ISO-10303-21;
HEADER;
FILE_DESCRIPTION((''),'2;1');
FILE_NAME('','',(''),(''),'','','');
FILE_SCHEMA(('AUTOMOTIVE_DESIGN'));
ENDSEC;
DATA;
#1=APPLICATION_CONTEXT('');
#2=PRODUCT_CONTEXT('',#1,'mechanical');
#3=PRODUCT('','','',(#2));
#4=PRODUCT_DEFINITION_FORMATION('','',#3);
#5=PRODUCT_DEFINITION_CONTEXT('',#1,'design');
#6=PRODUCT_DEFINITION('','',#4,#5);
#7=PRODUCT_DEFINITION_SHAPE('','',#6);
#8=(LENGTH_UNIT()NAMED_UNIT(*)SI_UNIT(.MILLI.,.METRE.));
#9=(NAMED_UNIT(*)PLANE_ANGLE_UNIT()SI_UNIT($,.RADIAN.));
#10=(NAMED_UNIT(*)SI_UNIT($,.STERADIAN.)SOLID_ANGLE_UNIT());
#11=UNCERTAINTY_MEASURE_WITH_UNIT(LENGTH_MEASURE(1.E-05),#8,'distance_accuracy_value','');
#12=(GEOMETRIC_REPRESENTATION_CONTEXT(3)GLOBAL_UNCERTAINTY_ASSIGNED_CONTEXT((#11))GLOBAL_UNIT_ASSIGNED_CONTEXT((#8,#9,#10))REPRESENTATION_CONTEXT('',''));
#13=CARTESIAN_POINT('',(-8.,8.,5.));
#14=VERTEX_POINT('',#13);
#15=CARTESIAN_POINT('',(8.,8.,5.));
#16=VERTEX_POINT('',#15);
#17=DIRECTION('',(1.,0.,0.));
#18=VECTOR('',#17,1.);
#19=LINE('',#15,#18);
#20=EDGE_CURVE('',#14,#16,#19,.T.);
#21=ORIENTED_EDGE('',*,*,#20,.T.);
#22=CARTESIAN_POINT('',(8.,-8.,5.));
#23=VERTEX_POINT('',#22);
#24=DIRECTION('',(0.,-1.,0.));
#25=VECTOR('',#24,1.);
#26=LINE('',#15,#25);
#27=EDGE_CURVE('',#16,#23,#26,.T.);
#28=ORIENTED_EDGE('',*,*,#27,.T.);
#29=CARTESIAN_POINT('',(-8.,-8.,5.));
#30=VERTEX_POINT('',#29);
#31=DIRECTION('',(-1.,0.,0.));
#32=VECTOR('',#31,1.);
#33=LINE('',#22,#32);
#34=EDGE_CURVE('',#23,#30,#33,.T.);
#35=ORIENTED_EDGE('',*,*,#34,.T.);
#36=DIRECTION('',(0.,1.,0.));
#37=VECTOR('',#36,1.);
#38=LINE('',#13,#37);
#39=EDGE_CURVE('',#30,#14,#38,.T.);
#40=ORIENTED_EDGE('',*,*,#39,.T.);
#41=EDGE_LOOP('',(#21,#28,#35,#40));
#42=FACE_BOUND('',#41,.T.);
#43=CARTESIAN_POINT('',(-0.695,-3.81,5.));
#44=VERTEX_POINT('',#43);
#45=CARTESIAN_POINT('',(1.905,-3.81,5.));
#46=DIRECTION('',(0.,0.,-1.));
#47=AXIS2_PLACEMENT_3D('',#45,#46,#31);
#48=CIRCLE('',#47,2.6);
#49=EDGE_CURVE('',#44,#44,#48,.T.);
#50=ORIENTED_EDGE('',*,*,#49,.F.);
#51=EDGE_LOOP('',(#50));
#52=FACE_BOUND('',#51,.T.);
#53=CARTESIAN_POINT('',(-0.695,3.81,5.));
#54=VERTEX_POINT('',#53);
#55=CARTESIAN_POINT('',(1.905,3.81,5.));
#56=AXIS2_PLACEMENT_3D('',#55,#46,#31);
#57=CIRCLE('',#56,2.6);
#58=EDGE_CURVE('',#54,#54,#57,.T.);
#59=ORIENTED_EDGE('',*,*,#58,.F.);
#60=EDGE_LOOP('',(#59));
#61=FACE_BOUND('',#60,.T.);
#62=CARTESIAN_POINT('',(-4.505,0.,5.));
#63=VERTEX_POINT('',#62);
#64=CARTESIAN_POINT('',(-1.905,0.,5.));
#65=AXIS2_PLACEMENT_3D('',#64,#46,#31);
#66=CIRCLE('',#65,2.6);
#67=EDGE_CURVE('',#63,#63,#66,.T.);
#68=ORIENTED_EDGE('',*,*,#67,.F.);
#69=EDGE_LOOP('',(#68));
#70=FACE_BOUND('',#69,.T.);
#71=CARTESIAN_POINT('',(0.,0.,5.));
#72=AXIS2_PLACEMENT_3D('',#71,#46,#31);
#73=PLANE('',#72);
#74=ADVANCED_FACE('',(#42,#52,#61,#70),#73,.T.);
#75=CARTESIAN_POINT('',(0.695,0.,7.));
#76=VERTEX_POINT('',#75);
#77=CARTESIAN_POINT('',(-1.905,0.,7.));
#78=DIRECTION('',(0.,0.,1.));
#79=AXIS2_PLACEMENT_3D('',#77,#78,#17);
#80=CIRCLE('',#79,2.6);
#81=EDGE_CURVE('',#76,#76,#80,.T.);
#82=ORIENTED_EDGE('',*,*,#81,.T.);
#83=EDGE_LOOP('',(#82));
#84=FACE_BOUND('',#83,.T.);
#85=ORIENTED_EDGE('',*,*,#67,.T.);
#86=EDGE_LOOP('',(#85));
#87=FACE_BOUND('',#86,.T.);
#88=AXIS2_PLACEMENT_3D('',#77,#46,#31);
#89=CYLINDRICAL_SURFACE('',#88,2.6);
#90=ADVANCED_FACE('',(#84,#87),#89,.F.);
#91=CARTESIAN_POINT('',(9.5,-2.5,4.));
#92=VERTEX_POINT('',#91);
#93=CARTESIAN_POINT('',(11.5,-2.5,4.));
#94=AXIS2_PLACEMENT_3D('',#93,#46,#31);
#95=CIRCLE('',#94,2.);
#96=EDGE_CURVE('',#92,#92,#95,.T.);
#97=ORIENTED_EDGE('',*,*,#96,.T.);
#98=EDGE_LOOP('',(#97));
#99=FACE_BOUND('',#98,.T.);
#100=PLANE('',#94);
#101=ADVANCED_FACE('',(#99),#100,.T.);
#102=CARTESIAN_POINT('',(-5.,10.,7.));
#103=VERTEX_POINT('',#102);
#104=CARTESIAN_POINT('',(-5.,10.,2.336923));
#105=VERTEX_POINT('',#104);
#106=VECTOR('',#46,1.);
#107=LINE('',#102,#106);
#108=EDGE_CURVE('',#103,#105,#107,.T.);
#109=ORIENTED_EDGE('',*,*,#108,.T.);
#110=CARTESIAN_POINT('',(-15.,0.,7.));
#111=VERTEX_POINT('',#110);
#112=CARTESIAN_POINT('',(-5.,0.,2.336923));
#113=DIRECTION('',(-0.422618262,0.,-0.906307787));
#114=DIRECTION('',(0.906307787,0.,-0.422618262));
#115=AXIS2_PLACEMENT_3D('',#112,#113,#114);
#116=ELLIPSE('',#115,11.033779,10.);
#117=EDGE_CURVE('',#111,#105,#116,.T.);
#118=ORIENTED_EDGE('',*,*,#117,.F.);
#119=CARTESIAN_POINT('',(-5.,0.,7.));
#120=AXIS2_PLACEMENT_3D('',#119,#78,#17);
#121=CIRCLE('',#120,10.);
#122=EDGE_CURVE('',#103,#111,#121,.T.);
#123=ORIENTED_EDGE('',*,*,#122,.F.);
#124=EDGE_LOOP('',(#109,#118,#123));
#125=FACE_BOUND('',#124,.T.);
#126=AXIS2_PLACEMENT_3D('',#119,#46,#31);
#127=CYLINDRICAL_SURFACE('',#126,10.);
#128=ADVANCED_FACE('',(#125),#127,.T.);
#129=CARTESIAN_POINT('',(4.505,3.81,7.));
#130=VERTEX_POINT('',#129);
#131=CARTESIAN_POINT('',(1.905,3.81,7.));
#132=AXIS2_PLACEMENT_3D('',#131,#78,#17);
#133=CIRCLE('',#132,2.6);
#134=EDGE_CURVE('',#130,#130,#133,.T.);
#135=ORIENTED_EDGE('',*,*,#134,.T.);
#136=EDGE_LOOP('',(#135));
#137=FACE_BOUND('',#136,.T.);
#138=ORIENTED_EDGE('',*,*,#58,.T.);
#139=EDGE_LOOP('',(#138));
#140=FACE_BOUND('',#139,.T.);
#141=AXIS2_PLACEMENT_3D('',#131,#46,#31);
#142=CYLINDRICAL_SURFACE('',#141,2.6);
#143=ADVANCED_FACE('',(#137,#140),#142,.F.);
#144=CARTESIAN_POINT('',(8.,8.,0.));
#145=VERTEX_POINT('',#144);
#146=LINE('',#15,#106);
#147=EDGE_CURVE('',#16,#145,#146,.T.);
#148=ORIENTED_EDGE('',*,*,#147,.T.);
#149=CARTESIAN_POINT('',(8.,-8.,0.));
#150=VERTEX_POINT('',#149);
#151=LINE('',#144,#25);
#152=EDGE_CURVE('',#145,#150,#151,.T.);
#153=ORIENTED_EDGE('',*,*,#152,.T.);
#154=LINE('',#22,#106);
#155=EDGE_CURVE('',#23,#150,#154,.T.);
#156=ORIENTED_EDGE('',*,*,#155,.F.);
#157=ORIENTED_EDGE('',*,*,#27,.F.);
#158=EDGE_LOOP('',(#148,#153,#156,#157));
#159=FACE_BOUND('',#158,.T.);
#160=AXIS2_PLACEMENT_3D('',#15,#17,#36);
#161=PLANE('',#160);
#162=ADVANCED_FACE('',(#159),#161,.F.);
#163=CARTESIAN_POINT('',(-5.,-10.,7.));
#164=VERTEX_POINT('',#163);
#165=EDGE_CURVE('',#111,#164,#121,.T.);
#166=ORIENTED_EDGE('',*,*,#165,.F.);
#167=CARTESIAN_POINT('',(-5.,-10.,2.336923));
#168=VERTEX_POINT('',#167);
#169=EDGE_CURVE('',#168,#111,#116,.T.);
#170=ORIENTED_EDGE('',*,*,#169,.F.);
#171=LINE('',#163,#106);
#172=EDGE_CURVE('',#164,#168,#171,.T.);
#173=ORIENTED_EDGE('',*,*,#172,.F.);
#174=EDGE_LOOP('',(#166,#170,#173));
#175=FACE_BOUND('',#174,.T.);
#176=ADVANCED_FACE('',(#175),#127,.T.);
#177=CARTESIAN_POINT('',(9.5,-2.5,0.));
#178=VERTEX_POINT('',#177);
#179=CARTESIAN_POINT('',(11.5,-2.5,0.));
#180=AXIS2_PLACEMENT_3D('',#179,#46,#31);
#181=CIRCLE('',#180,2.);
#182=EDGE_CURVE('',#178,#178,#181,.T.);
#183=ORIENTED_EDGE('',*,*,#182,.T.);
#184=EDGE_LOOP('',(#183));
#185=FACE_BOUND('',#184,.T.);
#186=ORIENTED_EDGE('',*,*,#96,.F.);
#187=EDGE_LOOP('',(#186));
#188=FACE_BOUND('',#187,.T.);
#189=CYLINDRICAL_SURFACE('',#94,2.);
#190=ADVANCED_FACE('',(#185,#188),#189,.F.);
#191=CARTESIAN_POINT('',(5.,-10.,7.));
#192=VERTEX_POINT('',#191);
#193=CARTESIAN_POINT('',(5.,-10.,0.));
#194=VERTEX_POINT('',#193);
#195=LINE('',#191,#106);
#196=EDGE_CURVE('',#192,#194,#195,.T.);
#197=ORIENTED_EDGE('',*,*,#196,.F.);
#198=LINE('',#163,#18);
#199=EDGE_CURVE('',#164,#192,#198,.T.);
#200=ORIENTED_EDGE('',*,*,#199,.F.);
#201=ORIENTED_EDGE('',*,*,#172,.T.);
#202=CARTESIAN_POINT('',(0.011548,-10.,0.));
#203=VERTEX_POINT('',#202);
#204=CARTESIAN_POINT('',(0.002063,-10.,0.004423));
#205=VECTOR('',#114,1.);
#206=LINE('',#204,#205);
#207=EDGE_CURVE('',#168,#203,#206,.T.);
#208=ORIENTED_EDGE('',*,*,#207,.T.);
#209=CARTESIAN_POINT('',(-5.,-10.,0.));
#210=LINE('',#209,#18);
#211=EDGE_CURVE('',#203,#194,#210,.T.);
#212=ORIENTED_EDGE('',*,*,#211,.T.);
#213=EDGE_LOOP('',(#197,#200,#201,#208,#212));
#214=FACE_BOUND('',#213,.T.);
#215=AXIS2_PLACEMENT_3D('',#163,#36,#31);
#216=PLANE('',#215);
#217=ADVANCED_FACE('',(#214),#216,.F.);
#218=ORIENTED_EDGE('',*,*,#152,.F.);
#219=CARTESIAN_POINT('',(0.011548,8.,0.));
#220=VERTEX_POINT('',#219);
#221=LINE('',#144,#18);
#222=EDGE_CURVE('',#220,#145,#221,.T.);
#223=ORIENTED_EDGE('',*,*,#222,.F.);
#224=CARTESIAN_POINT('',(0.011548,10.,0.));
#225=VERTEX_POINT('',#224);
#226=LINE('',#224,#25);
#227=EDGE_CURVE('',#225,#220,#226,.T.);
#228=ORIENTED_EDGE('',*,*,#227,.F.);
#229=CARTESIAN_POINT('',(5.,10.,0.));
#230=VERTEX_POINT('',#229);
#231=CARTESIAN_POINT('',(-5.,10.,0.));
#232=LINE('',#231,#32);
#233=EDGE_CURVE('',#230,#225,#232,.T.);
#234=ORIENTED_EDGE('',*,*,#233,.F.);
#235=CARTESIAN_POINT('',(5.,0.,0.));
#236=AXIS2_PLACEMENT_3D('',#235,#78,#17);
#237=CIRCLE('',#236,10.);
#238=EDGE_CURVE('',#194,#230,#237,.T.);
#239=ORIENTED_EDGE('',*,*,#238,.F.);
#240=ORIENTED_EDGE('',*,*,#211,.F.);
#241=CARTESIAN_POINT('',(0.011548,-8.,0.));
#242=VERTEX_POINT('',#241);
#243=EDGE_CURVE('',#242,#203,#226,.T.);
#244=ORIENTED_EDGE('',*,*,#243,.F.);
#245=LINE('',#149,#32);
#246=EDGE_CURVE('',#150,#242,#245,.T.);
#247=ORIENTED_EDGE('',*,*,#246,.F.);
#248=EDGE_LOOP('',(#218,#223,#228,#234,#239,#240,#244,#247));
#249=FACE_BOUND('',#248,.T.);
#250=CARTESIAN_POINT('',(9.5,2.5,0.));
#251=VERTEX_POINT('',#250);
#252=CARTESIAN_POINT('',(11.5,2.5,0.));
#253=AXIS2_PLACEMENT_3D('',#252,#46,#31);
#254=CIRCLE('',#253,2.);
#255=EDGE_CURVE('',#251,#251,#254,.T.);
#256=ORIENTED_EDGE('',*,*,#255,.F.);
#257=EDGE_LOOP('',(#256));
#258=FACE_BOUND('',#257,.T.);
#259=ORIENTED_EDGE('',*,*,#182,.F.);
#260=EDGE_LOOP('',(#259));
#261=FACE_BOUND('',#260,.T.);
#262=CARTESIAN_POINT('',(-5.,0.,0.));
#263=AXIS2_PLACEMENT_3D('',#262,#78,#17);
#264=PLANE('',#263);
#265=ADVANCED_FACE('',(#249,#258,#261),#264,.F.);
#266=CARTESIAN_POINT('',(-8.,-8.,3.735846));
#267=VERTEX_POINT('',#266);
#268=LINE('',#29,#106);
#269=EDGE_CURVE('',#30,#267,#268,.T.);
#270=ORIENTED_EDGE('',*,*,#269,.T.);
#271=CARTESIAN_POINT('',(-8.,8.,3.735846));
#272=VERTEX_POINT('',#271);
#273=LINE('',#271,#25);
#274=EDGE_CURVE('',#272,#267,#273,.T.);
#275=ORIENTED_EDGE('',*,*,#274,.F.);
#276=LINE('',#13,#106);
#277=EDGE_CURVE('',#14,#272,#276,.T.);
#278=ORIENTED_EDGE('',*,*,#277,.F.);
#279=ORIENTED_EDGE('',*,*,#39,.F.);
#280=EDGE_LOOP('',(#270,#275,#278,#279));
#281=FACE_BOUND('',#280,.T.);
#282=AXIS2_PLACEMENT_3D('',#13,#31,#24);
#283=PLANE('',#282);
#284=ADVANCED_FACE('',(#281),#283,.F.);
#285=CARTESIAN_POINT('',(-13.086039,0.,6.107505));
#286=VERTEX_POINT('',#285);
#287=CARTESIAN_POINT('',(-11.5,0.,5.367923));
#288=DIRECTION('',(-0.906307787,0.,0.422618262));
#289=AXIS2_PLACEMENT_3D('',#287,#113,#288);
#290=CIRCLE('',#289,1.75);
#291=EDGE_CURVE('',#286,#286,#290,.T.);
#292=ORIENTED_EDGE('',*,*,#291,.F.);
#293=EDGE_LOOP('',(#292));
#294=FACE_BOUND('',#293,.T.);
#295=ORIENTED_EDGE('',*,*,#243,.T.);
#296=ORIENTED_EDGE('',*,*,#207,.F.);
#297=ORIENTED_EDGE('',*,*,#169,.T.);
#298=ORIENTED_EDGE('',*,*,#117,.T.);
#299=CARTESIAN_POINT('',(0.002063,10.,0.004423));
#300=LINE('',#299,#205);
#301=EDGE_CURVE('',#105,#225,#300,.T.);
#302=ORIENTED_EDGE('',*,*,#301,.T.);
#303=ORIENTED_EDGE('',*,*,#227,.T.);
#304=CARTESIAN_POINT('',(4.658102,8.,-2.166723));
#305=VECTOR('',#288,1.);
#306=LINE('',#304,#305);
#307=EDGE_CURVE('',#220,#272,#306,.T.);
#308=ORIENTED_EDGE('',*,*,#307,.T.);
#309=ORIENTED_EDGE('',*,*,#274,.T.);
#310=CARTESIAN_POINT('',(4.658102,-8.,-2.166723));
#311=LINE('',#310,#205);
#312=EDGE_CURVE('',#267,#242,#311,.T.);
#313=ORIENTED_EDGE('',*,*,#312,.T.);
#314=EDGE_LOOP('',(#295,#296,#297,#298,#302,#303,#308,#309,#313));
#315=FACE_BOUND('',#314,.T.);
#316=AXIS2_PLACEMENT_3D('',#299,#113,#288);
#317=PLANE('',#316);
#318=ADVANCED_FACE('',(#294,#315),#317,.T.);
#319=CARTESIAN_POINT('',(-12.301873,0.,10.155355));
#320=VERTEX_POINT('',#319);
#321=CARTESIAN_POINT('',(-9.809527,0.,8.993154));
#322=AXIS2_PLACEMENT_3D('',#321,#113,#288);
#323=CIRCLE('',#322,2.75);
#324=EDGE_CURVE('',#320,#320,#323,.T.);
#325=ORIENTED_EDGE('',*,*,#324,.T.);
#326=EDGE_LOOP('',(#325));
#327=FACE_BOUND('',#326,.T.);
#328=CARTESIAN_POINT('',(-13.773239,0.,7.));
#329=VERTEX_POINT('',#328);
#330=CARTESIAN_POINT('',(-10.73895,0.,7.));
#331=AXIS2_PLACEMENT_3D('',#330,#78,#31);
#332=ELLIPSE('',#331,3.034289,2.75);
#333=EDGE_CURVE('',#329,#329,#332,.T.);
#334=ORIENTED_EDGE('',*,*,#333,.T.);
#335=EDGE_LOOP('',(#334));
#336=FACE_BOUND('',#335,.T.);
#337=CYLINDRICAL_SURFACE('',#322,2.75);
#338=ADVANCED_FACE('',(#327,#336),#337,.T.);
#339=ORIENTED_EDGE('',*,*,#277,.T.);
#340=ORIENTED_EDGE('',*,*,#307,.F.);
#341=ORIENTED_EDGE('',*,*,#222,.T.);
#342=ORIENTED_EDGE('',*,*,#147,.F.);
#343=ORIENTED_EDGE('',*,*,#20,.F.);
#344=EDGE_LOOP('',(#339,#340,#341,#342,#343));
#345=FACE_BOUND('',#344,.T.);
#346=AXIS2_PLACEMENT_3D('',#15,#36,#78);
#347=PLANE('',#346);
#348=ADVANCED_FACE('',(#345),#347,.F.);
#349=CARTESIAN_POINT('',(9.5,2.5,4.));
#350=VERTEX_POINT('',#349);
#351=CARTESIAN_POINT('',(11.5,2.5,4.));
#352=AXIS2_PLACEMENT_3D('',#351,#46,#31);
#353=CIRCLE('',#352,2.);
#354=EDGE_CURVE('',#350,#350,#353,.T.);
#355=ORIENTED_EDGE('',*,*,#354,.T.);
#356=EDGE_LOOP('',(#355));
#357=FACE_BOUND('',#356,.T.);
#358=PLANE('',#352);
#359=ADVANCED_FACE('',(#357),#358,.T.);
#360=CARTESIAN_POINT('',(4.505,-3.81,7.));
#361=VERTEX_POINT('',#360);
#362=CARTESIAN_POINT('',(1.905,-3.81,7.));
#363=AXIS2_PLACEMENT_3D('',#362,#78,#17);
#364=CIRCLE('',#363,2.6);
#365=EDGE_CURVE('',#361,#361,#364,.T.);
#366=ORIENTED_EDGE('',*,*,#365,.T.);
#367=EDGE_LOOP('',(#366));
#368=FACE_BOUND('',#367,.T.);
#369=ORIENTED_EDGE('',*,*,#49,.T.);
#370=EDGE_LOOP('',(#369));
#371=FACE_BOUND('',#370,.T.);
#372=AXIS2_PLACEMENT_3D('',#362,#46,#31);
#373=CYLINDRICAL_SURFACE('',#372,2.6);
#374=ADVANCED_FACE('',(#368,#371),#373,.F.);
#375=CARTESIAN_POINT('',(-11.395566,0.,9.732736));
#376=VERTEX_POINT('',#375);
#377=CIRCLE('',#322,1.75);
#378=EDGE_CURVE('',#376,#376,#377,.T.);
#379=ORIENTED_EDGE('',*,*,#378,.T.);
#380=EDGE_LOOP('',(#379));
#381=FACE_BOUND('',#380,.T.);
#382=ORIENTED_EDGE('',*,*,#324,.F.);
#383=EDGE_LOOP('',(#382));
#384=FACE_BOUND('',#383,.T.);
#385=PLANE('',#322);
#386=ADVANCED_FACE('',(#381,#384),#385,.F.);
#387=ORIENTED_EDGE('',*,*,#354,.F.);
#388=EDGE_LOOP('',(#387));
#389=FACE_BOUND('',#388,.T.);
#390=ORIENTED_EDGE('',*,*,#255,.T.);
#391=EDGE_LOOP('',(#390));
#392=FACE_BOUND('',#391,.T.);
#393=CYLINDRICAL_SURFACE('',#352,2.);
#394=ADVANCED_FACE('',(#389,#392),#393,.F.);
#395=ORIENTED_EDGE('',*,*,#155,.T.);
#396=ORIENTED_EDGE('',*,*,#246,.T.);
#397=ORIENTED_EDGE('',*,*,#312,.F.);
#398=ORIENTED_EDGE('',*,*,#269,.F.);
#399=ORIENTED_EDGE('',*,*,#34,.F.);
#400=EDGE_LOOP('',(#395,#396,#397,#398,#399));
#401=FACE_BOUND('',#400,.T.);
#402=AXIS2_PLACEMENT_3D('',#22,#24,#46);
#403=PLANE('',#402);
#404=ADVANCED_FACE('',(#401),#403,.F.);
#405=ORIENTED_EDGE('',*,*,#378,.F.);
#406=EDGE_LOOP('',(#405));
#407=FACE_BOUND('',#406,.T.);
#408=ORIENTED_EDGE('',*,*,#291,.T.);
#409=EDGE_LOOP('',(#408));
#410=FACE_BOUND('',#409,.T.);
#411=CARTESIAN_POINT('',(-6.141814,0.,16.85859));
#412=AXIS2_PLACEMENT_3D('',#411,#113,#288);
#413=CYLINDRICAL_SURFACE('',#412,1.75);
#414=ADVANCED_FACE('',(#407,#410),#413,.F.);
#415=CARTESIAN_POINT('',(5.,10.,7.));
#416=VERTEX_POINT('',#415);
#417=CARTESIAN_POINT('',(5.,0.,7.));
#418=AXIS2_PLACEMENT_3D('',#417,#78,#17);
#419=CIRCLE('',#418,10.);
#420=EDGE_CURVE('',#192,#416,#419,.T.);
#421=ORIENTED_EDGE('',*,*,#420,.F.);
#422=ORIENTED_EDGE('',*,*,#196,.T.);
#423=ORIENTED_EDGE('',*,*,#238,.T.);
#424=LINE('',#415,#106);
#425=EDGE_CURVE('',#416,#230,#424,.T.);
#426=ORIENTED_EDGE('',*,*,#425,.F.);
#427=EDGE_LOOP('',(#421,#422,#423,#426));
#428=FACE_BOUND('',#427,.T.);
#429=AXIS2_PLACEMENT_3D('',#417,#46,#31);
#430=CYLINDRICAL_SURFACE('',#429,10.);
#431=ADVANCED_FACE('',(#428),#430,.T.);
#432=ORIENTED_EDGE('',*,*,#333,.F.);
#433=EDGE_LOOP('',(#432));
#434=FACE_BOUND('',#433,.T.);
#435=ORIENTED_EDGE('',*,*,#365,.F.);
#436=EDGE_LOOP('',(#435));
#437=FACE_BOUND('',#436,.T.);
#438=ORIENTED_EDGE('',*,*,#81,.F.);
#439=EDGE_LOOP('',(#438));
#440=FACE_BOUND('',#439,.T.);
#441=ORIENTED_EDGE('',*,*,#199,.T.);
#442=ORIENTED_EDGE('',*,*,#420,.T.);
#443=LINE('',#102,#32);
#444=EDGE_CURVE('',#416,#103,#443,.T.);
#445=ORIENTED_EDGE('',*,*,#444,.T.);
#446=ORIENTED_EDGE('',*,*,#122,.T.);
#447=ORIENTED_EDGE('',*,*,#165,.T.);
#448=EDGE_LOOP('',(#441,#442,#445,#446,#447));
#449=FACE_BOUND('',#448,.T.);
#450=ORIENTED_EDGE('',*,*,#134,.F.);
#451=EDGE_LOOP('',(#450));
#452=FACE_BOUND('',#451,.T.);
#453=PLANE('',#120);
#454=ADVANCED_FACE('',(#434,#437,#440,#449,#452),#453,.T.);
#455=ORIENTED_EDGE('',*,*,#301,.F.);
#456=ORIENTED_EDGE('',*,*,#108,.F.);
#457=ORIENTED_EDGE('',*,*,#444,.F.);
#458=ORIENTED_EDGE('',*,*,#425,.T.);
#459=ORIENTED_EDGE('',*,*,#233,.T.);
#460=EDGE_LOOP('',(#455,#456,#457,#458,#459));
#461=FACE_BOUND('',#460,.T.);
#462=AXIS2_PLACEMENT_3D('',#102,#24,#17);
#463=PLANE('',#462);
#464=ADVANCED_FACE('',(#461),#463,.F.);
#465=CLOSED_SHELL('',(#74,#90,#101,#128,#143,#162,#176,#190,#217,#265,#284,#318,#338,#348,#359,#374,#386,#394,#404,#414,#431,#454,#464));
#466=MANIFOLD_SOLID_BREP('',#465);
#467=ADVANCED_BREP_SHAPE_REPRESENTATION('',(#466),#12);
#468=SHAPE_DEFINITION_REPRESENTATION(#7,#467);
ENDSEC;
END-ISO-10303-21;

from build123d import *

# Parameters (mm, degrees)
SKETCH3_R           = 2.6
BOSS_EXTRUDE1_DEPTH = 7
SKETCH4_W           = 16
SKETCH4_H           = 16
CUT_EXTRUDE1_DEPTH  = 5
SKETCH5_R           = 2
CUT_EXTRUDE2_DEPTH  = 4
CUT_EXTRUDE3_DEPTH  = 26.961509971
SKETCH8_R           = 1.75
CUT_EXTRUDE4_DEPTH  = 20.33907899
SKETCH9_R           = 2.75
SKETCH9_R_2         = 1.75
BOSS_EXTRUDE3_DEPTH = 4


with BuildPart() as part:
    # Sketch3 → Boss-Extrude1 (new body)
    with BuildSketch(Plane.XY):
        with BuildLine():
            Line((-5, 10), (5, 10))
            ThreePointArc((5, 10), (15, 0), (5, -10))
            Line((5, -10), (-5, -10))
            ThreePointArc((-5, -10), (-15, 0), (-5, 10))
        make_face()
        with Locations((1.905, 3.81)):
            Circle(SKETCH3_R, mode=Mode.SUBTRACT)
        with Locations((1.905, -3.81)):
            Circle(SKETCH3_R, mode=Mode.SUBTRACT)
        with Locations((-1.905, 0)):
            Circle(SKETCH3_R, mode=Mode.SUBTRACT)
    extrude(amount=BOSS_EXTRUDE1_DEPTH)

    # Sketch4 → Cut-Extrude1 (cut)
    with BuildSketch(Plane(origin=(0, 0, 0), x_dir=(-1, 0, 0), z_dir=(0, 0, -1))):
        Rectangle(SKETCH4_W, SKETCH4_H)
    extrude(amount=-CUT_EXTRUDE1_DEPTH, mode=Mode.SUBTRACT)

    # Sketch5 → Cut-Extrude2 (cut)
    with BuildSketch(Plane(origin=(0, 0, 0), x_dir=(-1, 0, 0), z_dir=(0, 0, -1))):
        with Locations((-11.5, -2.5)):
            Circle(SKETCH5_R)
        with Locations((-11.5, 2.5)):
            Circle(SKETCH5_R)
    extrude(amount=-CUT_EXTRUDE2_DEPTH, mode=Mode.SUBTRACT)

    # Sketch6 → Cut-Extrude3 (cut, through all)
    with BuildSketch(Plane.XZ.offset(10)):
        Polygon((-5, 2.336923418), (-15, 7), (-15, 0), (-5, 0), align=None)
        Polygon((0.011548444, 0), (-5, 2.336923418), (-5, 0), align=None)
    extrude(amount=-CUT_EXTRUDE3_DEPTH, mode=Mode.SUBTRACT)

    # Sketch8 → Cut-Extrude4 (cut, through all)
    with BuildSketch(Plane(origin=(0.002062624, 0, 0.004423311), x_dir=(-0.9063077870366496, 0, 0.42261826174070033), z_dir=(-0.4226182617407003, 0, -0.9063077870366495))):
        with Locations((12.691121921, 0)):
            Circle(SKETCH8_R)
    extrude(amount=-CUT_EXTRUDE4_DEPTH, mode=Mode.SUBTRACT)

    # Sketch9 → Boss-Extrude3 (add)
    with BuildSketch(Plane(origin=(0.002062624, 0, 0.004423311), x_dir=(-0.9063077870366496, 0, 0.42261826174070033), z_dir=(-0.4226182617407003, 0, -0.9063077870366495))):
        with Locations((12.691121921, 0)):
            Circle(SKETCH9_R)
        with Locations((12.691121921, 0)):
            Circle(SKETCH9_R_2, mode=Mode.SUBTRACT)
    extrude(amount=-BOSS_EXTRUDE3_DEPTH)


solid = part.part
